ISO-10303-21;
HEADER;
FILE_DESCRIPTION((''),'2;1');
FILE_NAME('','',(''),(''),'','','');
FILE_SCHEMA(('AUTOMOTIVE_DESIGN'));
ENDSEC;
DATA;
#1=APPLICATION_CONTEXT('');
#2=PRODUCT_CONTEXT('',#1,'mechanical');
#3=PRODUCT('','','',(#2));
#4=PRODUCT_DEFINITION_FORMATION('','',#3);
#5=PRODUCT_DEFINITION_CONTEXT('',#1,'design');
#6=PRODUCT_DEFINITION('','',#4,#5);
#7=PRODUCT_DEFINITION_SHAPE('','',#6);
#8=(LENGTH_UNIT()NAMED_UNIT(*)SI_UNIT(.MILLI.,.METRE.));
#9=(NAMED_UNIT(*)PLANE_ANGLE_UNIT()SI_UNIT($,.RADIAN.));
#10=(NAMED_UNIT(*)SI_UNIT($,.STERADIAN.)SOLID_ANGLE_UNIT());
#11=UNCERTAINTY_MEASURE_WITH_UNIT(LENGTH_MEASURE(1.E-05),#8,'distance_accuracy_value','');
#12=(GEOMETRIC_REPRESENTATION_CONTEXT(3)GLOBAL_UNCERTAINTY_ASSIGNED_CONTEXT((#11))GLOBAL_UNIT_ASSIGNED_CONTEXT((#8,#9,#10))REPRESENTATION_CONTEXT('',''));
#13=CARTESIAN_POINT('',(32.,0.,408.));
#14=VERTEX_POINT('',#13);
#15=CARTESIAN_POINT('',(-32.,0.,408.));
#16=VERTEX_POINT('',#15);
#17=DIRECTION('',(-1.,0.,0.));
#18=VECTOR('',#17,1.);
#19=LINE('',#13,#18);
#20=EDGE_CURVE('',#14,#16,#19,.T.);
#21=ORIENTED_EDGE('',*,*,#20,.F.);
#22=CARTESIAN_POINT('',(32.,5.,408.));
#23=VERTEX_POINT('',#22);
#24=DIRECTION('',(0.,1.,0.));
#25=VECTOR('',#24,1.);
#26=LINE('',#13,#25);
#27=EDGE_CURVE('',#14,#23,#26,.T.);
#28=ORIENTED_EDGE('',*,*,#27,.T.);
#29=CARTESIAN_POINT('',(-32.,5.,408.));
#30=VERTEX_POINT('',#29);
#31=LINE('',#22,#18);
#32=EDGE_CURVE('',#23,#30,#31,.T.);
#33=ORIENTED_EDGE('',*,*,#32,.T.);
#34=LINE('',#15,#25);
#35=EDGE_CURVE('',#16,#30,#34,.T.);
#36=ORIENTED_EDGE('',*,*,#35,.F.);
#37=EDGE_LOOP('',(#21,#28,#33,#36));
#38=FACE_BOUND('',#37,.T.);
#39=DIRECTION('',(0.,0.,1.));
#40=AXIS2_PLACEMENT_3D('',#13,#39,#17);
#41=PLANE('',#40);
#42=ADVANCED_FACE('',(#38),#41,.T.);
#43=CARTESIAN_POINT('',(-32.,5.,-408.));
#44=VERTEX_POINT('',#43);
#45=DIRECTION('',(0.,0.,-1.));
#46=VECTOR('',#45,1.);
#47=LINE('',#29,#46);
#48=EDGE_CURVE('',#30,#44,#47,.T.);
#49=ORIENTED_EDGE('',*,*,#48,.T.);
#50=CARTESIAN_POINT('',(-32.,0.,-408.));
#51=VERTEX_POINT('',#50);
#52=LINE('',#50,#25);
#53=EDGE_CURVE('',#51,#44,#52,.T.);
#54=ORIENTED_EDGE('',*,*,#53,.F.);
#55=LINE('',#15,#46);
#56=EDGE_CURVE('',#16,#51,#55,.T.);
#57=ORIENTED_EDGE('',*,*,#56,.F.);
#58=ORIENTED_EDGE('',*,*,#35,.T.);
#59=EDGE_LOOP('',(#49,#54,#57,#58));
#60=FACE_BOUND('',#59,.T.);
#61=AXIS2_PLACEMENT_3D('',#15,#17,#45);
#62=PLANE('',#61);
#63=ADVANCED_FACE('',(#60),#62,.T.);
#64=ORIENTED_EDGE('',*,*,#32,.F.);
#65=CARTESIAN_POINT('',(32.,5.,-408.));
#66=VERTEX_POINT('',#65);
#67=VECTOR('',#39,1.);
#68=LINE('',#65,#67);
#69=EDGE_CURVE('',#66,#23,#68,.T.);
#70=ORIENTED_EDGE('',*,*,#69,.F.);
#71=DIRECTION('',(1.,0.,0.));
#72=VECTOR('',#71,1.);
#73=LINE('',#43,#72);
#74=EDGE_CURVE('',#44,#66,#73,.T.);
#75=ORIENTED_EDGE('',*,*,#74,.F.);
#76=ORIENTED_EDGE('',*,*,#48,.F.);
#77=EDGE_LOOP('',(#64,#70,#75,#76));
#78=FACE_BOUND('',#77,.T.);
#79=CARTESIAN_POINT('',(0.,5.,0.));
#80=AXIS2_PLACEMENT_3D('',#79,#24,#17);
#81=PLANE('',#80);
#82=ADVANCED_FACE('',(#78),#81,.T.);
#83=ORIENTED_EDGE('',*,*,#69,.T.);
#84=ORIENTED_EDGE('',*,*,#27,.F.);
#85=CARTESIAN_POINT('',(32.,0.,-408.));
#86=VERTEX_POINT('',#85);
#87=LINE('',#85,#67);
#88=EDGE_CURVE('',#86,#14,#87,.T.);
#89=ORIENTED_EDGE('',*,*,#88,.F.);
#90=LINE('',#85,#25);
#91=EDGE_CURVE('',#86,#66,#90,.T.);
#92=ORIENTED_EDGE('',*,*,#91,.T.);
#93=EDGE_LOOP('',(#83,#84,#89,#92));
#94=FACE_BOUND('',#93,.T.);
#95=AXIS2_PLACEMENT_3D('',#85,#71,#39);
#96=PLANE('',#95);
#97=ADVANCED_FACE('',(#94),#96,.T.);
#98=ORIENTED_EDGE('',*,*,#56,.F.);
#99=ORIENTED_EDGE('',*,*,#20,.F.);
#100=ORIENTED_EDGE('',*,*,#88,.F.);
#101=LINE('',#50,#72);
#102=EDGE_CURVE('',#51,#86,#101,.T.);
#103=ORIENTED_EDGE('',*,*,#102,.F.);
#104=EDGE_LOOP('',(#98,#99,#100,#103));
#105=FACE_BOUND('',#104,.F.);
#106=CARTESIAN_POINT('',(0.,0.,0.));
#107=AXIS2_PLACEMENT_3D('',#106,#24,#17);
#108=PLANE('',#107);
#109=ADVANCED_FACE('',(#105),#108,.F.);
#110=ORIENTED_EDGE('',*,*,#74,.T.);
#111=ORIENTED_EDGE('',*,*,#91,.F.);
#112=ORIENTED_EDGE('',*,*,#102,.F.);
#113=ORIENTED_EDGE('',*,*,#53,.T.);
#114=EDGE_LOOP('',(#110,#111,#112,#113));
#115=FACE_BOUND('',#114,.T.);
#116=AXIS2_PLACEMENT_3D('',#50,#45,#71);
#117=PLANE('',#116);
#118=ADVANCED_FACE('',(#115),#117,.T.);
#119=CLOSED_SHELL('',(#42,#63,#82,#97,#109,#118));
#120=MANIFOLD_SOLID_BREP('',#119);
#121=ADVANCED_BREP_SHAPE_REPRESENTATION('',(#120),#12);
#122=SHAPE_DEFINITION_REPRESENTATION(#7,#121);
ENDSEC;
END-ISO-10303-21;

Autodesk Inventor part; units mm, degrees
ref_plane "YZ Plane" through (0, 0, 0) normal (1, 0, 0) x (0, 1, 0)
ref_plane "XZ Plane" through (0, 0, 0) normal (0, 1, 0) x (-1, 0, 0)
ref_plane "XY Plane" through (0, 0, 0) normal (0, 0, 1) x (1, 0, 0)
sketch "Эскиз1" plane through (0, 0, 0) normal (0, 1, 0) x (-1, 0, 0)
  line L0 (-32, 408) -> (32, 408)
  line L1 (32, 408) -> (32, -408)
  line L2 (32, -408) -> (-32, -408)
  line L3 (-32, -408) -> (-32, 408)
  line L4 (-32, 408) -> (32, -408) construction
  line L5 (32, 408) -> (-32, -408) construction
  point P0 (0, 0)
  dimension "d0" = 64
  dimension "d1" = 816
extrude "Пластина1" add sketch "Эскиз1" along normal blind 5
equation "\"d2\" = Толщина"
equation "\"Радиус_гибки\" = Толщина"
equation "\"Ширина_просечки\" = Толщина"
equation "\"Глубина_просечки\" = 0.5 * Толщина"
equation "\"Радиус_перехода\" = Радиус_гибки"
equation "\"Радиус_Якоби\" = Радиус_гибки"
equation "\"Размер_зазора\" = Толщина"
equation "\"Толщина\" = 5"
properties part number "GBK bottom 0128" material "Steel"
